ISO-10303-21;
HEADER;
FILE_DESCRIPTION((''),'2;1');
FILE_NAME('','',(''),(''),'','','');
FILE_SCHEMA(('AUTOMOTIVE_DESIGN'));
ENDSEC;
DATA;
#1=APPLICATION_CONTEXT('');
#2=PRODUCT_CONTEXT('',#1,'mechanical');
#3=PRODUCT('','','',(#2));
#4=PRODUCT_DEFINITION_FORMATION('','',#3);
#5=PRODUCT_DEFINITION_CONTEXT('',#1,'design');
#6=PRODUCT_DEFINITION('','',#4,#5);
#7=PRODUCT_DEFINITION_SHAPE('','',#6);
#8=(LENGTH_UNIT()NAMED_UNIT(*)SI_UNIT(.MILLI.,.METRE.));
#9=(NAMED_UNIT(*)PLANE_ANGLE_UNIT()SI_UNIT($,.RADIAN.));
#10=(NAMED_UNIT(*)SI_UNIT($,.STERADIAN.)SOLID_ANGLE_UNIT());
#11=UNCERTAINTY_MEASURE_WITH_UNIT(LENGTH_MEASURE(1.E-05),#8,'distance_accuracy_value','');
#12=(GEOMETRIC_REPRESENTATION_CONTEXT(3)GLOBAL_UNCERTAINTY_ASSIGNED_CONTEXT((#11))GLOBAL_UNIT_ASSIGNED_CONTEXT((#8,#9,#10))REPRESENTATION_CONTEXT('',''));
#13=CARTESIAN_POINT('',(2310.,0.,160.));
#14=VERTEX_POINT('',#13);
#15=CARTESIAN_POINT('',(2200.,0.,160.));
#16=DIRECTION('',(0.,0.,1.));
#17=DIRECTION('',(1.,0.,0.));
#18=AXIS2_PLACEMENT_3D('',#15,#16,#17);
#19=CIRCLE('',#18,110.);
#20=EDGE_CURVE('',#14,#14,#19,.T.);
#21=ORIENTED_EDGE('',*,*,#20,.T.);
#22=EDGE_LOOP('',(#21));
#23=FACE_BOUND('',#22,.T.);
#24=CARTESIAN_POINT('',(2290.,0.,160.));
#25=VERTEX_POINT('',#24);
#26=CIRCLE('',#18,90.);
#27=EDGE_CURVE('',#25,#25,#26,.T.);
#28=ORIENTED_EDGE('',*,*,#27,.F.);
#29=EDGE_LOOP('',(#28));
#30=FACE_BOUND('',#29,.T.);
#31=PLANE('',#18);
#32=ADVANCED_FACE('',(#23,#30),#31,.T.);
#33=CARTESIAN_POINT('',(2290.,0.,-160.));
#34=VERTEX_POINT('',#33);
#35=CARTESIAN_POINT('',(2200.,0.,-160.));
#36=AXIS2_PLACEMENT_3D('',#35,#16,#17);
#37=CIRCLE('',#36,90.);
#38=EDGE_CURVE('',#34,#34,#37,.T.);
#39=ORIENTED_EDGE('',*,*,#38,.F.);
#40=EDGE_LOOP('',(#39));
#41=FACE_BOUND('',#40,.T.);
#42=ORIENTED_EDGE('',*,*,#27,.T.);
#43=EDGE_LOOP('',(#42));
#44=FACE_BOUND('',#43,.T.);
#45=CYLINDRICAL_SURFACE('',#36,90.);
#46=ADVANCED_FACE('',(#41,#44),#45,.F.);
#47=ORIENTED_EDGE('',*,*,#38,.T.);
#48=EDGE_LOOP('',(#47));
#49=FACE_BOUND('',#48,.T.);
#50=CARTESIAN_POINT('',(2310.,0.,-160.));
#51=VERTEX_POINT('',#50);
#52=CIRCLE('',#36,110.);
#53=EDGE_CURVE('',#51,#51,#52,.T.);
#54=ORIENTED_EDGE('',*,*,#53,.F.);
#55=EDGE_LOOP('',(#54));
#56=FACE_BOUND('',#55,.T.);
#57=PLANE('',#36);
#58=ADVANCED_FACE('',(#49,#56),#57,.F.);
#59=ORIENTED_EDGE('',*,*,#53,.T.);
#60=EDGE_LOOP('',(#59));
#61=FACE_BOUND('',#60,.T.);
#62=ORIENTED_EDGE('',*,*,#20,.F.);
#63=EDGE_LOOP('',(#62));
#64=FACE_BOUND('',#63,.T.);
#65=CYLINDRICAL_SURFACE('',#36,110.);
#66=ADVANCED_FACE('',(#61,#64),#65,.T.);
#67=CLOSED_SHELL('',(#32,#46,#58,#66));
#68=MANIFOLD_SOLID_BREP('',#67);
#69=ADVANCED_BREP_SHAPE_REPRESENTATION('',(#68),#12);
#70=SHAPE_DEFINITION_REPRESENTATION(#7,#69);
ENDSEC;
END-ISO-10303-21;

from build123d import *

# Parameters (mm, degrees)
BOSS_EXTRUDE1_DEPTH      = 160
BOSS_EXTRUDE1_DEPTH_BACK = 160
SKETCH2_R                = 110
SKETCH2_R_2              = 90


with BuildPart() as part:
    # Sketch2 → Boss-Extrude1 (new, two sides: drawn at the far end of the back side and taken through both)
    with BuildSketch(Plane.XY.offset(-BOSS_EXTRUDE1_DEPTH_BACK)):
        with Locations((2200, 0)):
            Circle(SKETCH2_R)
        with Locations((2200, 0)):
            Circle(SKETCH2_R_2, mode=Mode.SUBTRACT)
    extrude(amount=BOSS_EXTRUDE1_DEPTH + BOSS_EXTRUDE1_DEPTH_BACK)


solid = part.part
